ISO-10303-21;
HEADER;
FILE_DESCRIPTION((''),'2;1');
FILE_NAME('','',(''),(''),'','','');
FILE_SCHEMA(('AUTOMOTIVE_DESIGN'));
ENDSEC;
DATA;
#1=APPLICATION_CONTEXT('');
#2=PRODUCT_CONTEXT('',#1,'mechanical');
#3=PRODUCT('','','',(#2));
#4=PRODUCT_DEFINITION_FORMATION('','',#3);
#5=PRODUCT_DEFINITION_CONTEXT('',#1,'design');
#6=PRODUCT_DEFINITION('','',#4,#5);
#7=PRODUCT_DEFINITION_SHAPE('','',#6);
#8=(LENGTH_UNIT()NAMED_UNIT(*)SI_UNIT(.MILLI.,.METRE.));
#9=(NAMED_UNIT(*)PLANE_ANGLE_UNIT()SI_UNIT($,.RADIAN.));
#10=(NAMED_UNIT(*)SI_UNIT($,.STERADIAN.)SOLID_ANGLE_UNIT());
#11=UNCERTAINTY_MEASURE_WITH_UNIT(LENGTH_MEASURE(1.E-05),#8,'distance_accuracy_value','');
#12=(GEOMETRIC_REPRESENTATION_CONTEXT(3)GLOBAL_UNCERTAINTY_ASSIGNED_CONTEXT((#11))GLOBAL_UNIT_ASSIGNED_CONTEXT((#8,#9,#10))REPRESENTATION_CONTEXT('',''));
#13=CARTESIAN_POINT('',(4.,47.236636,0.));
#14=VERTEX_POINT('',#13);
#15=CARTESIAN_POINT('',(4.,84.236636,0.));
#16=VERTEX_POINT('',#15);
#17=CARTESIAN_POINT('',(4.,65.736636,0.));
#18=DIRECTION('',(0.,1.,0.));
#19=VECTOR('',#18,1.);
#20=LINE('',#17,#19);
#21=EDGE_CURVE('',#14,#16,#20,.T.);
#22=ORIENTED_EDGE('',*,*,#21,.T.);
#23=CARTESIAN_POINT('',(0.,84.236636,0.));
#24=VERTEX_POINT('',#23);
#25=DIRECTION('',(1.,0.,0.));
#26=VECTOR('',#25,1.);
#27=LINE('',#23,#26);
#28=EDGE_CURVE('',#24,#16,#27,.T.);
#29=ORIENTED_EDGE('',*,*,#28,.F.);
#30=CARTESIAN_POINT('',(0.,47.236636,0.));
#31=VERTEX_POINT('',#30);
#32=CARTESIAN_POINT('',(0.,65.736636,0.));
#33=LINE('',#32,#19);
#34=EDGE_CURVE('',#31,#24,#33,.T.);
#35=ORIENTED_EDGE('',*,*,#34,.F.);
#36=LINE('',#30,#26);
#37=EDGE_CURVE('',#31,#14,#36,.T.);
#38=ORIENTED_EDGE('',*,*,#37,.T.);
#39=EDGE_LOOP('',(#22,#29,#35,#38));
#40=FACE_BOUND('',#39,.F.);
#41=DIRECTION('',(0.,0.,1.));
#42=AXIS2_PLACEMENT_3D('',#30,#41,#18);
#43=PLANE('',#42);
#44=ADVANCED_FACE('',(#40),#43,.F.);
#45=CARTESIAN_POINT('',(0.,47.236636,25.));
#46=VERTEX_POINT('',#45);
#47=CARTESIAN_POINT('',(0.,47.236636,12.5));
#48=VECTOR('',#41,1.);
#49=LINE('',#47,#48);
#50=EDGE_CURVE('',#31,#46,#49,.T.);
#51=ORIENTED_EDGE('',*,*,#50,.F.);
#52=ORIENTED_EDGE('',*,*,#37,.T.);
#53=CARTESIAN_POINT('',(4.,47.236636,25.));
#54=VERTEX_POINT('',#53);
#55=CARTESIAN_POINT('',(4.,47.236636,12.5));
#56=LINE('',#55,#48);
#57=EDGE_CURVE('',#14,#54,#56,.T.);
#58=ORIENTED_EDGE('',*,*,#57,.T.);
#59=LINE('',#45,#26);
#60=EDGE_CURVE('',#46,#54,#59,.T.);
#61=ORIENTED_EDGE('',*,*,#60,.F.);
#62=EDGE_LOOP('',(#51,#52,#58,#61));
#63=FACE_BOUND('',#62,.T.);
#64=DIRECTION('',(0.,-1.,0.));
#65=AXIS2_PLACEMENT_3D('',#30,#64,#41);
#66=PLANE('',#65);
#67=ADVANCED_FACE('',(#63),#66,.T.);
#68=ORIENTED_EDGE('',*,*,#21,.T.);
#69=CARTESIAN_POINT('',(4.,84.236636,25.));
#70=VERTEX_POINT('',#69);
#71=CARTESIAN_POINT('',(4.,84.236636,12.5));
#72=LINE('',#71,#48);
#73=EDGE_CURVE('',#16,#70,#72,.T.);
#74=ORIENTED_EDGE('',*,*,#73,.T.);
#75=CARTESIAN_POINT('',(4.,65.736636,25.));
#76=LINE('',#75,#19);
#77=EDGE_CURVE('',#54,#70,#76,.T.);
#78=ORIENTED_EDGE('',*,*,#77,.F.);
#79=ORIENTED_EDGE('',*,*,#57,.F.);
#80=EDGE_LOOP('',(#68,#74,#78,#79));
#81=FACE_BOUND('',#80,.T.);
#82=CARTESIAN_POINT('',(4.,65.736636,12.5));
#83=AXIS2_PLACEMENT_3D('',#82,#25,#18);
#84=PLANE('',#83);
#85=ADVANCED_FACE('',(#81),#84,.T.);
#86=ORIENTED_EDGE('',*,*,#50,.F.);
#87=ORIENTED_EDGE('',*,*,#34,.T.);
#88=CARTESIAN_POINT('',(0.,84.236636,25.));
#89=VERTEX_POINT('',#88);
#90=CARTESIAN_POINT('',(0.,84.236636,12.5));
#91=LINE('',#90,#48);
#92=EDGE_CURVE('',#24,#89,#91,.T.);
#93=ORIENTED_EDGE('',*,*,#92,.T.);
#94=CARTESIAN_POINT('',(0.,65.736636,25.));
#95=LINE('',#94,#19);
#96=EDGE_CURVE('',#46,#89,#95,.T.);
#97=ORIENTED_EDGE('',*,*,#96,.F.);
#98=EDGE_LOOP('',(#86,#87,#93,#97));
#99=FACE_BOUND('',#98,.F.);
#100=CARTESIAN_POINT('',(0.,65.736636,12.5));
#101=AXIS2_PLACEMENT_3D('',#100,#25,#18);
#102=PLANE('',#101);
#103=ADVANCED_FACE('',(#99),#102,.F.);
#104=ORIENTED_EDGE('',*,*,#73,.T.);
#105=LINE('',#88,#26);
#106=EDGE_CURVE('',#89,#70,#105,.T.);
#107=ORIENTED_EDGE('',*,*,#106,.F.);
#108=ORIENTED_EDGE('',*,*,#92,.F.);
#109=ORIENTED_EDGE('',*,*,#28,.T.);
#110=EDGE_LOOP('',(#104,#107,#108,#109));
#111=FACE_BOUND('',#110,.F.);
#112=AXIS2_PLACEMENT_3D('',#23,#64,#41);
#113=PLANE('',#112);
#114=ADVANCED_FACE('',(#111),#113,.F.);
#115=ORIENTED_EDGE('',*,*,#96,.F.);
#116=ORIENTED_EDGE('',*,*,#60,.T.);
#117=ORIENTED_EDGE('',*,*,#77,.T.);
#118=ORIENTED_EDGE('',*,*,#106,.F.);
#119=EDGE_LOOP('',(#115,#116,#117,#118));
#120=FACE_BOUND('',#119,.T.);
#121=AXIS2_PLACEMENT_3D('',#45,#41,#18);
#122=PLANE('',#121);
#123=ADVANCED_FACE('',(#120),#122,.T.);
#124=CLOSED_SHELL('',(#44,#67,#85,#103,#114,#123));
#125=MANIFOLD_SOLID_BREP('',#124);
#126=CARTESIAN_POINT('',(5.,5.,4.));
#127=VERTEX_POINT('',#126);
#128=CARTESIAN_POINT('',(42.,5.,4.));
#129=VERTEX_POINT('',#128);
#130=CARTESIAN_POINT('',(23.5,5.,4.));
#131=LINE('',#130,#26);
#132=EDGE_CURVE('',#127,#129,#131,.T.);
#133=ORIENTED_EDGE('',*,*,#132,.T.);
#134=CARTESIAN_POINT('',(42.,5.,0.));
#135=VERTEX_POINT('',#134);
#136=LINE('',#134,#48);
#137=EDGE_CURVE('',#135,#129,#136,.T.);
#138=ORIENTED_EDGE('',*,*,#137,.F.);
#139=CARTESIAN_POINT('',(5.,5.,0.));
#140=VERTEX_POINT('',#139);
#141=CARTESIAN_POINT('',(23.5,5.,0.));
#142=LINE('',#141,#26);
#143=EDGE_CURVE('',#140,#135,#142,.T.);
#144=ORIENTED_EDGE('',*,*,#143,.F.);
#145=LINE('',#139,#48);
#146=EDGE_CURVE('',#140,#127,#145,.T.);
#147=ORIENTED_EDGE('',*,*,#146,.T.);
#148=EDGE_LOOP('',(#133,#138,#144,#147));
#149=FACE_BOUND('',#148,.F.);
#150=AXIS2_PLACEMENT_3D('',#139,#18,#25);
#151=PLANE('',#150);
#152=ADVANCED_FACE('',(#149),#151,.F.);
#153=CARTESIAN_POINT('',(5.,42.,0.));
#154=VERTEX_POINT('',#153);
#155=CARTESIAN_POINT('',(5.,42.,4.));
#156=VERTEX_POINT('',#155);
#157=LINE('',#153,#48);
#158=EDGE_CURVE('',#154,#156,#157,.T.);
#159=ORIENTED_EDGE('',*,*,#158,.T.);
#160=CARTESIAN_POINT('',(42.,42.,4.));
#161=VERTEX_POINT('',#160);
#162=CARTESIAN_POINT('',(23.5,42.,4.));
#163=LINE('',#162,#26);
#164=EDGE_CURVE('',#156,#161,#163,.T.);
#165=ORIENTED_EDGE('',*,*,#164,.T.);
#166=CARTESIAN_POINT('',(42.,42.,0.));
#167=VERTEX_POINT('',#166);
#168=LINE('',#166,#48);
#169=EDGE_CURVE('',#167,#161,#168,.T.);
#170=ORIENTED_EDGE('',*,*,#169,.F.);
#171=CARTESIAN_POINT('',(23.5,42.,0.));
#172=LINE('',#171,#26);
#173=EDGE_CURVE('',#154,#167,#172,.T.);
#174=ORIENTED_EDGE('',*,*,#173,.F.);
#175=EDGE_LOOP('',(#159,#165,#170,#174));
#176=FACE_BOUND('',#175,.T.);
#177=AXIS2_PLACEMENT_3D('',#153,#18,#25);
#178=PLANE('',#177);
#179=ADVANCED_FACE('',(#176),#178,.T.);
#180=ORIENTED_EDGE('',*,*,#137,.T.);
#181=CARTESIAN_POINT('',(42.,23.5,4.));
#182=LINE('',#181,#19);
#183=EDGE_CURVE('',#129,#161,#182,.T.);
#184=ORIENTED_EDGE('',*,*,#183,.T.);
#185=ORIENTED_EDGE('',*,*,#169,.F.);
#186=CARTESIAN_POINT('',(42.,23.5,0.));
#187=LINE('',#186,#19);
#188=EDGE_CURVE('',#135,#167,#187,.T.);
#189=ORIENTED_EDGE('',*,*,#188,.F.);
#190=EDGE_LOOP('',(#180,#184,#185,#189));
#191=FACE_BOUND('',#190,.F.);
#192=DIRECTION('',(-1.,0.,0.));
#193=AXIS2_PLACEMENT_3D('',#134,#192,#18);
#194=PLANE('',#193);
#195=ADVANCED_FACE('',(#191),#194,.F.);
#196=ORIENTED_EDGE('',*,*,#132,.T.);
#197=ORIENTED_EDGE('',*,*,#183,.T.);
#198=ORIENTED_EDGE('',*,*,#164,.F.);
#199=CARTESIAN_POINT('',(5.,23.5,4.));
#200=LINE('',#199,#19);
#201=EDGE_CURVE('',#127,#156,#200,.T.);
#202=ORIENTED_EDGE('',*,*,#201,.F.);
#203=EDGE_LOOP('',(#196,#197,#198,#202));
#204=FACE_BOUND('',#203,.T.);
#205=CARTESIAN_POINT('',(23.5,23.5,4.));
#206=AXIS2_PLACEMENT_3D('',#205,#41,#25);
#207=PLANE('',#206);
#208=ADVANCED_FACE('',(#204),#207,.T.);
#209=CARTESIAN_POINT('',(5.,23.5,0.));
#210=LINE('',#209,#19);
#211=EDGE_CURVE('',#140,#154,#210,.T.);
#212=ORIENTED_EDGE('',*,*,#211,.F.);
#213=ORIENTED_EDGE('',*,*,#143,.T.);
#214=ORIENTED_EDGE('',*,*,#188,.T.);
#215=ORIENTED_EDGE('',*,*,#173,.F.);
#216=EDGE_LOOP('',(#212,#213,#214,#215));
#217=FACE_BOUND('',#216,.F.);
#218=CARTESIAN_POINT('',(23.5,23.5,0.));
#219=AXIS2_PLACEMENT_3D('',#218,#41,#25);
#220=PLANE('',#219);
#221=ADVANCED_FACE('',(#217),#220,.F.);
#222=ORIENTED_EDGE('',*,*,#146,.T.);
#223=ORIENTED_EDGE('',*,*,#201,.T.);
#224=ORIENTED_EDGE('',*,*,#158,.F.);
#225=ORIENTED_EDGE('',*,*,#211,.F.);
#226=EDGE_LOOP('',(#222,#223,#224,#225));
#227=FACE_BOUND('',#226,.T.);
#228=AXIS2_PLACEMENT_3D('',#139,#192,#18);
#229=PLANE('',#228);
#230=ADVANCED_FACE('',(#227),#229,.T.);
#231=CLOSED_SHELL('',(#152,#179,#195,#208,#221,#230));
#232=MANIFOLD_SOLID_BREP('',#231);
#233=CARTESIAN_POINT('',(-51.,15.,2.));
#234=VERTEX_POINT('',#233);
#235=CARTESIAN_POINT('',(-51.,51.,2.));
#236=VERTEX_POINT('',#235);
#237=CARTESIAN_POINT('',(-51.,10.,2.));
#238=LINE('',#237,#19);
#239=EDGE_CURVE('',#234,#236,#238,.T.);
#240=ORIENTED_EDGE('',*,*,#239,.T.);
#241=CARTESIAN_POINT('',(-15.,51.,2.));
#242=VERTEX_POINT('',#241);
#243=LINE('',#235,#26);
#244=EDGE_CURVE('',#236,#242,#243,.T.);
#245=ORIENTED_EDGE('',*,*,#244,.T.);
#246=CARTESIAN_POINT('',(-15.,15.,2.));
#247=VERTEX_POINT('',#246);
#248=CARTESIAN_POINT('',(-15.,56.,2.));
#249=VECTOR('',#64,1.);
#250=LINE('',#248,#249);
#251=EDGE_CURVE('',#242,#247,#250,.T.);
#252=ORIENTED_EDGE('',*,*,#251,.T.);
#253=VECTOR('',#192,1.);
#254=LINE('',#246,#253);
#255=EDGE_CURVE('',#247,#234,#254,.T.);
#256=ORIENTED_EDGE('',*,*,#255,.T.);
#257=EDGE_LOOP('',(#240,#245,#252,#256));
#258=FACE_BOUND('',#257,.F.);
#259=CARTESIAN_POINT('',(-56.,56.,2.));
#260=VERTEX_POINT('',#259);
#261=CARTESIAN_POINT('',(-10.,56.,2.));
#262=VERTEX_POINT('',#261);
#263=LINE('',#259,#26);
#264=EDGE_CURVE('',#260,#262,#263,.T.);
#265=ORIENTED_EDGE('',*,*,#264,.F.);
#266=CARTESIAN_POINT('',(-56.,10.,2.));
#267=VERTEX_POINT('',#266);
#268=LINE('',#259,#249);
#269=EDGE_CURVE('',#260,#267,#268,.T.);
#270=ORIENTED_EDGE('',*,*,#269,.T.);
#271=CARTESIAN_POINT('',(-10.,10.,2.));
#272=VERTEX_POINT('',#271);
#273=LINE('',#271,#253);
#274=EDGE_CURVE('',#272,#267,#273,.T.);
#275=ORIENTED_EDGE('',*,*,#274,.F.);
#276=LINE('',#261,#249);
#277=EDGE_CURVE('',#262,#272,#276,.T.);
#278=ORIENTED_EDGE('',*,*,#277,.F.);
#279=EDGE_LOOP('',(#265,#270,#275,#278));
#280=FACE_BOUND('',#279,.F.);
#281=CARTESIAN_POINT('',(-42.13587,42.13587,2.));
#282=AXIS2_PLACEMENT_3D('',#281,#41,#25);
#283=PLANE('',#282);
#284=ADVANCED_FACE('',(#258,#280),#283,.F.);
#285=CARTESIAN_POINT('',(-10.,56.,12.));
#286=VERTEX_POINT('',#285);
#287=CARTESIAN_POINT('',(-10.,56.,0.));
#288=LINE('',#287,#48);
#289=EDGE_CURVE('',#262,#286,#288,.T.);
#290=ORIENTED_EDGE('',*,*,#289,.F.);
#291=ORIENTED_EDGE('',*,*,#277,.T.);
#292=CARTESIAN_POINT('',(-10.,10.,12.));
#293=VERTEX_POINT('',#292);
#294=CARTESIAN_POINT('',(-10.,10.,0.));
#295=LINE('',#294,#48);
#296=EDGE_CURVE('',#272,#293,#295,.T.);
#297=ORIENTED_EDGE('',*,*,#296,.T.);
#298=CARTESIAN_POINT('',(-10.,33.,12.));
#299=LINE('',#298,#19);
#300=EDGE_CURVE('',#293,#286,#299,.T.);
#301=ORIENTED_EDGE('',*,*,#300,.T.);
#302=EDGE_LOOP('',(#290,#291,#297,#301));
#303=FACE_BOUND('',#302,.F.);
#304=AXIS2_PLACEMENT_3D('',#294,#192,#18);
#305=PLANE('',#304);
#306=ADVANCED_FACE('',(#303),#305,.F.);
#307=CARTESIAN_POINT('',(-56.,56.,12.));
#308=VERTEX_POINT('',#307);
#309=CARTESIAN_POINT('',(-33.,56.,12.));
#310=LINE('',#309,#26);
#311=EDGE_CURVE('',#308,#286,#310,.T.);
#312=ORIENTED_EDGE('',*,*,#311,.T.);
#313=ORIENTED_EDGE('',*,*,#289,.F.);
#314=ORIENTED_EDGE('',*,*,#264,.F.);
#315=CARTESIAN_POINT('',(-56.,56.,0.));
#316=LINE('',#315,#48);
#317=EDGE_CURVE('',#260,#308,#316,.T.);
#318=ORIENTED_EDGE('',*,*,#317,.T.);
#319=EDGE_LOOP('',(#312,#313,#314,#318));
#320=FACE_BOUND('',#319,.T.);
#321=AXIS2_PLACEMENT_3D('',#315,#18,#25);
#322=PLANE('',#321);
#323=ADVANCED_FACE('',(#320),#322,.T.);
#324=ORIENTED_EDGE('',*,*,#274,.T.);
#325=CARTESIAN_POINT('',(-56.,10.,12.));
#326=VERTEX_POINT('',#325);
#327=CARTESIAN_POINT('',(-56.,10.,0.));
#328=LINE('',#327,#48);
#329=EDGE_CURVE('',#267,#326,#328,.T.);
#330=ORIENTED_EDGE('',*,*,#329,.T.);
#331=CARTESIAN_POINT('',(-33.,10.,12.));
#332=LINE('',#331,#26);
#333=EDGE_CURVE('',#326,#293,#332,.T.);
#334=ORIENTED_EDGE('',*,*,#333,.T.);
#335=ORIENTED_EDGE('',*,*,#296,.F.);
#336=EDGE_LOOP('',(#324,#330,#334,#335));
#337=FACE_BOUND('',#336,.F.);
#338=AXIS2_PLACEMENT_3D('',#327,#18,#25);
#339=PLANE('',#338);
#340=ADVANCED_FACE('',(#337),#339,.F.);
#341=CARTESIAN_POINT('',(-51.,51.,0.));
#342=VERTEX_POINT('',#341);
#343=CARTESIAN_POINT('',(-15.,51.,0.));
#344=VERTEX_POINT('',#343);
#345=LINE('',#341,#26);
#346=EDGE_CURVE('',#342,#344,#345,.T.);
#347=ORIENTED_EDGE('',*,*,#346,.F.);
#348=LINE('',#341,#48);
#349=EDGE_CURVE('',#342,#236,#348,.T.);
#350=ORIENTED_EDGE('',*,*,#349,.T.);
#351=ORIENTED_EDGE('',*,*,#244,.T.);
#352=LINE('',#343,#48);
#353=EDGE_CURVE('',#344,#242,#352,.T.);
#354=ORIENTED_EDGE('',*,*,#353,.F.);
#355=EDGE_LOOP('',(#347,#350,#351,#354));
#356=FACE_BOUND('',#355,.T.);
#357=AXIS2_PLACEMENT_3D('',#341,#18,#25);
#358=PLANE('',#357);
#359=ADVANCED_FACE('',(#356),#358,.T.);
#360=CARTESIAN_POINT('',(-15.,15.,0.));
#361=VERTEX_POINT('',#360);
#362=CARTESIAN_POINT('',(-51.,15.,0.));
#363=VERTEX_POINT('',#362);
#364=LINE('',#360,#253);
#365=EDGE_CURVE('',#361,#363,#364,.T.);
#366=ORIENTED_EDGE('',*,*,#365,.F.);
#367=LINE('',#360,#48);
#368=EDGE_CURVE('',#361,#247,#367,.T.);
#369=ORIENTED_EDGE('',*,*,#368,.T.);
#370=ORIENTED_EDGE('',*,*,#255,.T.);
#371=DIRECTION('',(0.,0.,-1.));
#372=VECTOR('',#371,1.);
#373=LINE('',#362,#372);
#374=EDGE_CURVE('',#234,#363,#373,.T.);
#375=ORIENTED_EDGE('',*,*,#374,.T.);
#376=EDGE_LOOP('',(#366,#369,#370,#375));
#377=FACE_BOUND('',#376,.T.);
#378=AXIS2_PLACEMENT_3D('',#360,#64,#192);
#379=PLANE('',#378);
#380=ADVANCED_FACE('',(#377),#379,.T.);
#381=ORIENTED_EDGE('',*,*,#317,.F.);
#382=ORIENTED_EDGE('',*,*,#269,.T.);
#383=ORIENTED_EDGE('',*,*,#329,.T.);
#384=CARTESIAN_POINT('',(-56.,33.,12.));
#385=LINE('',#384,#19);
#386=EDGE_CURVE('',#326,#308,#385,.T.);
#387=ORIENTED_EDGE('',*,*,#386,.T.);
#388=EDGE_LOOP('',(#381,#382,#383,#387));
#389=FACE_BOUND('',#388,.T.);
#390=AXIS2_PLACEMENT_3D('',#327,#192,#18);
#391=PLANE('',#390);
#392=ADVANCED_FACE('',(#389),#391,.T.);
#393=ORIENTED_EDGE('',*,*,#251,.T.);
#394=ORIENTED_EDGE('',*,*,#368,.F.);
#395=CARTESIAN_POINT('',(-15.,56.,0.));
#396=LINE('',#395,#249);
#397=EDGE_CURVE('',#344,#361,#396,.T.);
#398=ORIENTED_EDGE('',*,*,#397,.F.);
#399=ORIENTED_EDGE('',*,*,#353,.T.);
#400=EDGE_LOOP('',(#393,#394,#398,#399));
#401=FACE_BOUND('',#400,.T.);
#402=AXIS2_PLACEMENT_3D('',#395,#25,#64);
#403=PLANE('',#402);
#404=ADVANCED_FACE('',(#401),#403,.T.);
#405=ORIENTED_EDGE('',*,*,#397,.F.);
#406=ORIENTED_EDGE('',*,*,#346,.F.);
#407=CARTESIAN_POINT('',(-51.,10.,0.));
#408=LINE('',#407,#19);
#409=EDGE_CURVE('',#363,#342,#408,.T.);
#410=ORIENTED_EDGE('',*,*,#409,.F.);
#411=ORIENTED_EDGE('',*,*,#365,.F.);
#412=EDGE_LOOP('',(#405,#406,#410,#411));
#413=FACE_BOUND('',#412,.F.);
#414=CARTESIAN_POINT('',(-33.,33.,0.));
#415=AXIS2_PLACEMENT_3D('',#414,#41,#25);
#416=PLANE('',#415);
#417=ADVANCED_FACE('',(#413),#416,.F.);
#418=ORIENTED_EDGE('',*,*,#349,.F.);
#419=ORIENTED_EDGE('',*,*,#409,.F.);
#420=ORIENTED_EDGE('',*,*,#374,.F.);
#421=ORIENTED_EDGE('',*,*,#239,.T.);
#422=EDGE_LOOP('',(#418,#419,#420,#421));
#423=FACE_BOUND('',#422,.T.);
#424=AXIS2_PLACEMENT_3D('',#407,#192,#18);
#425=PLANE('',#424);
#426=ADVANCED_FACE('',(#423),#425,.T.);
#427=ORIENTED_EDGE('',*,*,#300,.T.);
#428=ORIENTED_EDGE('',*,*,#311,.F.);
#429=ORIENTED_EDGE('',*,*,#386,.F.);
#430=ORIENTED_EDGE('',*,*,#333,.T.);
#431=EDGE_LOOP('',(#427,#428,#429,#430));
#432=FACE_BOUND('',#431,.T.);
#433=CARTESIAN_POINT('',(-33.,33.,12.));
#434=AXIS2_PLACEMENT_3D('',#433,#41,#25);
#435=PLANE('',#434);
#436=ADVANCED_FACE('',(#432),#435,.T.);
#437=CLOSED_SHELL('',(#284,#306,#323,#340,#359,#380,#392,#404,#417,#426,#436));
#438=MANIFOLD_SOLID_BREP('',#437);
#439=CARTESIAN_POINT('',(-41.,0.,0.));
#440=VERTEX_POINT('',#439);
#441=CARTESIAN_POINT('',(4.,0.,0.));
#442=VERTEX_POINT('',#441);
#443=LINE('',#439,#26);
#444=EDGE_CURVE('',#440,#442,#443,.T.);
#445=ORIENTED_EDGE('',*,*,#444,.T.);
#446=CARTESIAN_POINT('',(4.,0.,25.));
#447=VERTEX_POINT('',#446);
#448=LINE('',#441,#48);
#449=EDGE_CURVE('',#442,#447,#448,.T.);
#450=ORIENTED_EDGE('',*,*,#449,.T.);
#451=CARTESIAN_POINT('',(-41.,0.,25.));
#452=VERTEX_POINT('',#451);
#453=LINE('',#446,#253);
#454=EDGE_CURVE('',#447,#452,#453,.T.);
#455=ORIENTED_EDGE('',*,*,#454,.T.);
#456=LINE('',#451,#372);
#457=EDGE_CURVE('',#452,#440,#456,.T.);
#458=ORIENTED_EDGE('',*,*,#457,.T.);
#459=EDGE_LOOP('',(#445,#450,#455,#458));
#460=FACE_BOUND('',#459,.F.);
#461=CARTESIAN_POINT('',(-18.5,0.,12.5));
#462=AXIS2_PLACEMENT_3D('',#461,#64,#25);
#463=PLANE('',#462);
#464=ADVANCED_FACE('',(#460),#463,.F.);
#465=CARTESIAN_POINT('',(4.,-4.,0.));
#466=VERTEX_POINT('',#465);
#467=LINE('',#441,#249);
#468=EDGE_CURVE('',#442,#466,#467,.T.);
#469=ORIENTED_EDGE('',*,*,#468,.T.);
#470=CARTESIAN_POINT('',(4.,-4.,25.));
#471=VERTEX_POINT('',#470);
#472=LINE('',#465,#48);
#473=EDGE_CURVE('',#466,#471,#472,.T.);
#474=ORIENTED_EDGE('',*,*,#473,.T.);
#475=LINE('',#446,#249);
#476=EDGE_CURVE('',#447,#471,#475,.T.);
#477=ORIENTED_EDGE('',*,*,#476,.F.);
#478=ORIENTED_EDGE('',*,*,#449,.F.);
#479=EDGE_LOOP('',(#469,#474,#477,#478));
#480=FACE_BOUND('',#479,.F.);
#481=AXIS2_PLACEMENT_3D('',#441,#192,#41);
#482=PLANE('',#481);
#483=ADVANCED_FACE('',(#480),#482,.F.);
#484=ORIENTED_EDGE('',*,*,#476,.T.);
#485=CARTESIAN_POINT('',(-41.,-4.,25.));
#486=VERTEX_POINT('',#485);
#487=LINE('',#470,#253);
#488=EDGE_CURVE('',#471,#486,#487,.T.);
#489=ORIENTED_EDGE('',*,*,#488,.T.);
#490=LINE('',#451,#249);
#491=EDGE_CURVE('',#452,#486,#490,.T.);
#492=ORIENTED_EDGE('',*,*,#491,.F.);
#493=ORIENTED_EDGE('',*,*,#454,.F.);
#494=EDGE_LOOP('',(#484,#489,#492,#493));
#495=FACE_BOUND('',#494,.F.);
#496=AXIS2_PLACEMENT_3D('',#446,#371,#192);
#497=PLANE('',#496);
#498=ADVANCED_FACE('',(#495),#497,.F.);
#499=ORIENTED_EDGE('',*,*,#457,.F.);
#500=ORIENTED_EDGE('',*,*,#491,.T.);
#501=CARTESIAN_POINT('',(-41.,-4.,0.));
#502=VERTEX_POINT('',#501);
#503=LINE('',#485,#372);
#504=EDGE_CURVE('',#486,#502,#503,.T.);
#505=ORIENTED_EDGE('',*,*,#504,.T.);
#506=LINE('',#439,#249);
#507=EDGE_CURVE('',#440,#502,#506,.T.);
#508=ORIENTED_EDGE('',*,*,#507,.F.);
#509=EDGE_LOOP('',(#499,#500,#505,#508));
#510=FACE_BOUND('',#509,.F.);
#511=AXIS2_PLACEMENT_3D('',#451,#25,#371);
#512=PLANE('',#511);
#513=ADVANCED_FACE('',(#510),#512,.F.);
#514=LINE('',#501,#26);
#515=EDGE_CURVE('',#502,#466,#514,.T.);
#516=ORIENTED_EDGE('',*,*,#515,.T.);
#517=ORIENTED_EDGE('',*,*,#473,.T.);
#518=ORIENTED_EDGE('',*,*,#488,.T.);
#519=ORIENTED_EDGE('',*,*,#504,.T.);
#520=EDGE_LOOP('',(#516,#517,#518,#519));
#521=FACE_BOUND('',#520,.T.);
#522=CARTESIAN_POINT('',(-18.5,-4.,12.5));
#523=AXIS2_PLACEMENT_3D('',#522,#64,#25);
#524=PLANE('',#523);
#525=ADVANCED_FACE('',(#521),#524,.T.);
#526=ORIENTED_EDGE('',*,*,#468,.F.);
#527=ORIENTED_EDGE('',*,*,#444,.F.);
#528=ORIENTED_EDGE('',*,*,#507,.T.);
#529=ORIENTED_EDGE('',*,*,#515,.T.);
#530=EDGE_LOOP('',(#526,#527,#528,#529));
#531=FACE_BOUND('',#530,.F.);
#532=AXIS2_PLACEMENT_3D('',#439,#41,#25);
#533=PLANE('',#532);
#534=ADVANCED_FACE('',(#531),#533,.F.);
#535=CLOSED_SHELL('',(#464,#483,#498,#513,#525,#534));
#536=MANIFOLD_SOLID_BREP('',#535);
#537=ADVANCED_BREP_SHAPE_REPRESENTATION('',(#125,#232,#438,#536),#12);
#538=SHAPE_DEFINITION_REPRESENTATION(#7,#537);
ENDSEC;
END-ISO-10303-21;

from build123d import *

# Parameters (mm, degrees)
F0_W      = 37
F0_H      = 37
F1_DEPTH  = 4
F3_DEPTH  = 4
F4_W      = 37
F4_H      = 25
F5_DEPTH  = 4
F6_W      = 46
F6_H      = 46
F7_DEPTH  = 12
F9_DEPTH  = 2
F11_DEPTH = 2


with BuildPart() as f1:
    # F0 (on Top) → F1 (new body)
    with BuildSketch(Plane.XY):
        with Locations((23.5, 23.5)):
            Rectangle(F0_W, F0_H)
    extrude(amount=F1_DEPTH)


with BuildPart() as f3:
    # F2 (on Front) → F3 (new body)
    with BuildSketch(Plane.XZ):
        Polygon((-41, 0), (0, 0), (4, 0), (4, 25), (-41, 25), align=None)
    extrude(amount=F3_DEPTH)


with BuildPart() as f5:
    # F4 (on Right) → F5 (new body)
    with BuildSketch(Plane.YZ):
        with Locations((65.736636, 12.5)):
            Rectangle(F4_W, F4_H)
    extrude(amount=F5_DEPTH)


with BuildPart() as f7:
    # F6 (on Top) → F7 (new body)
    with BuildSketch(Plane.XY):
        with Locations((-33, 33)):
            Rectangle(F6_W, F6_H)
    extrude(amount=F7_DEPTH)

    # F8 (on Top) → F9 (cut)
    with BuildSketch(Plane.XY):
        Polygon((-10, 10), (-10, 56), (-15, 56), (-15, 15), (-56, 15), (-56, 10), (-15, 10), align=None)
    extrude(amount=F9_DEPTH, mode=Mode.SUBTRACT)

    # F10 (on Top) → F11 (cut)
    with BuildSketch(Plane.XY):
        Polygon((-10, 51), (-10, 56), (-56, 56), (-56, 10), (-51, 10), (-51, 51), align=None)
    extrude(amount=F11_DEPTH, mode=Mode.SUBTRACT)


solid = Compound([f1.part, f3.part, f5.part, f7.part])
